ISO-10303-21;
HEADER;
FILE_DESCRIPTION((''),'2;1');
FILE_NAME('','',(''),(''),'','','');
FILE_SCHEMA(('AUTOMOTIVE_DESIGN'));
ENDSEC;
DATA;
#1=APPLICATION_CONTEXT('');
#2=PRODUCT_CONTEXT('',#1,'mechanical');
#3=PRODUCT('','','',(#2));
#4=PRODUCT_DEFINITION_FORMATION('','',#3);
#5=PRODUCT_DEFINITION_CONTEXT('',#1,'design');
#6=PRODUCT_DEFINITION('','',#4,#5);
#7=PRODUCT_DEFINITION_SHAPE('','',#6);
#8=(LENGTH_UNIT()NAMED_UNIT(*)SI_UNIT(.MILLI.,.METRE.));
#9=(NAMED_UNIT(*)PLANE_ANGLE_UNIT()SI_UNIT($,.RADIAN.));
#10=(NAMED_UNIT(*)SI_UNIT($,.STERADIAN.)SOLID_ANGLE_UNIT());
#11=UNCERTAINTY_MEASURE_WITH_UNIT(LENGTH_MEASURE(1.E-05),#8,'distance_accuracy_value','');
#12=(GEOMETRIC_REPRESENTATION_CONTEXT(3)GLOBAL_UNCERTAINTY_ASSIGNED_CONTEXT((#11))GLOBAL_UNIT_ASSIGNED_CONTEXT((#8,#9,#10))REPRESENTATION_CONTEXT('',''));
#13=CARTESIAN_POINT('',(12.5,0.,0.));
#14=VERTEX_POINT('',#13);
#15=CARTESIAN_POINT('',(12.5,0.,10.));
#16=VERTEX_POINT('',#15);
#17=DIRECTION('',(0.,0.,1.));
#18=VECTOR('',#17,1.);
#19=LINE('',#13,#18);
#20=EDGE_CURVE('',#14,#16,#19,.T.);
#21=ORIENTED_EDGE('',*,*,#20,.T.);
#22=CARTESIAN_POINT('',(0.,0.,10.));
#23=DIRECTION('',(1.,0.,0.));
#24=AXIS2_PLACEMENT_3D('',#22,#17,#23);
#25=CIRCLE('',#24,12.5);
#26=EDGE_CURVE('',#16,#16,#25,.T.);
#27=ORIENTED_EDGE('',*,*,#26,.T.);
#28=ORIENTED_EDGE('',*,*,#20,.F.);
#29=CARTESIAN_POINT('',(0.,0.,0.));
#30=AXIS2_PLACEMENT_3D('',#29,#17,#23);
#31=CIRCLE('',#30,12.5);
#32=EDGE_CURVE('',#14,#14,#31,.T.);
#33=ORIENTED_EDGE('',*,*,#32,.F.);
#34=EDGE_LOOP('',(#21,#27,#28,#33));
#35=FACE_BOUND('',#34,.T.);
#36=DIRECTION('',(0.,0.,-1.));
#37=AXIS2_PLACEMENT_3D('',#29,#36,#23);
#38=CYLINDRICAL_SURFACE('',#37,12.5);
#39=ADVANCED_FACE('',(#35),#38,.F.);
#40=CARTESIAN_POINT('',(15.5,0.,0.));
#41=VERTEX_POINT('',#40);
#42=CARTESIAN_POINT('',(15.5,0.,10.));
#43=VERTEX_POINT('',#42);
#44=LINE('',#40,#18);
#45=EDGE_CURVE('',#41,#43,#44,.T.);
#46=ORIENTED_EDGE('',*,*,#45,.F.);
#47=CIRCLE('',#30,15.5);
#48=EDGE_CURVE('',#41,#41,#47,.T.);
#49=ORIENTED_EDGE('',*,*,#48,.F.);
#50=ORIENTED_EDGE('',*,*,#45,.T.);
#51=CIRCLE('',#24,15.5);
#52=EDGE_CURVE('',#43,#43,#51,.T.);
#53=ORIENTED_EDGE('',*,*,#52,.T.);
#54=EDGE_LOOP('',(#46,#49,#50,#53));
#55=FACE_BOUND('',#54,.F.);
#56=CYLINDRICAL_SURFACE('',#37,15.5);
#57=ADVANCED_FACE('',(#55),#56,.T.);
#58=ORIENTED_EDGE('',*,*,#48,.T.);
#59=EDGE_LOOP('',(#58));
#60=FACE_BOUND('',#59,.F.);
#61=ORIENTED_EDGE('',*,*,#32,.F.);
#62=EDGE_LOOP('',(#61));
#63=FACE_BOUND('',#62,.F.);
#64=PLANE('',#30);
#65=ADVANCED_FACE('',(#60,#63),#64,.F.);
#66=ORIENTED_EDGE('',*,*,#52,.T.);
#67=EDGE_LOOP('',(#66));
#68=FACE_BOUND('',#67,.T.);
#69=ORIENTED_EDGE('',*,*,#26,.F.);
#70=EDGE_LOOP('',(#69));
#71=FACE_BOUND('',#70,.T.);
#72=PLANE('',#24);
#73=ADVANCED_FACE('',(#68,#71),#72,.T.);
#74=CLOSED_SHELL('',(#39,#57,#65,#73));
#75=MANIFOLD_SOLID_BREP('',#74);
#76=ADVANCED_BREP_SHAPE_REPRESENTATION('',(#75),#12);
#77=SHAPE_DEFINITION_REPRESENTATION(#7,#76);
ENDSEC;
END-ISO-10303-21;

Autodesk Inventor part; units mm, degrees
ref_plane "YZ Plane" through (0, 0, 0) normal (1, 0, 0) x (0, 1, 0)
ref_plane "XZ Plane" through (0, 0, 0) normal (0, 1, 0) x (-1, 0, 0)
ref_plane "XY Plane" through (0, 0, 0) normal (0, 0, 1) x (1, 0, 0)
sketch "Sketch1" plane through (0, 0, 0) normal (0, 0, 1) x (1, 0, 0)
  circle A0 centre (0, 0) radius 15.5
  circle A1 centre (0, 0) radius 12.5
  dimension "d0" = 31
  dimension "d1" = 25
extrude "Extrusion1" add sketch "Sketch1" along normal blind 10
properties part number "lens clamp"
